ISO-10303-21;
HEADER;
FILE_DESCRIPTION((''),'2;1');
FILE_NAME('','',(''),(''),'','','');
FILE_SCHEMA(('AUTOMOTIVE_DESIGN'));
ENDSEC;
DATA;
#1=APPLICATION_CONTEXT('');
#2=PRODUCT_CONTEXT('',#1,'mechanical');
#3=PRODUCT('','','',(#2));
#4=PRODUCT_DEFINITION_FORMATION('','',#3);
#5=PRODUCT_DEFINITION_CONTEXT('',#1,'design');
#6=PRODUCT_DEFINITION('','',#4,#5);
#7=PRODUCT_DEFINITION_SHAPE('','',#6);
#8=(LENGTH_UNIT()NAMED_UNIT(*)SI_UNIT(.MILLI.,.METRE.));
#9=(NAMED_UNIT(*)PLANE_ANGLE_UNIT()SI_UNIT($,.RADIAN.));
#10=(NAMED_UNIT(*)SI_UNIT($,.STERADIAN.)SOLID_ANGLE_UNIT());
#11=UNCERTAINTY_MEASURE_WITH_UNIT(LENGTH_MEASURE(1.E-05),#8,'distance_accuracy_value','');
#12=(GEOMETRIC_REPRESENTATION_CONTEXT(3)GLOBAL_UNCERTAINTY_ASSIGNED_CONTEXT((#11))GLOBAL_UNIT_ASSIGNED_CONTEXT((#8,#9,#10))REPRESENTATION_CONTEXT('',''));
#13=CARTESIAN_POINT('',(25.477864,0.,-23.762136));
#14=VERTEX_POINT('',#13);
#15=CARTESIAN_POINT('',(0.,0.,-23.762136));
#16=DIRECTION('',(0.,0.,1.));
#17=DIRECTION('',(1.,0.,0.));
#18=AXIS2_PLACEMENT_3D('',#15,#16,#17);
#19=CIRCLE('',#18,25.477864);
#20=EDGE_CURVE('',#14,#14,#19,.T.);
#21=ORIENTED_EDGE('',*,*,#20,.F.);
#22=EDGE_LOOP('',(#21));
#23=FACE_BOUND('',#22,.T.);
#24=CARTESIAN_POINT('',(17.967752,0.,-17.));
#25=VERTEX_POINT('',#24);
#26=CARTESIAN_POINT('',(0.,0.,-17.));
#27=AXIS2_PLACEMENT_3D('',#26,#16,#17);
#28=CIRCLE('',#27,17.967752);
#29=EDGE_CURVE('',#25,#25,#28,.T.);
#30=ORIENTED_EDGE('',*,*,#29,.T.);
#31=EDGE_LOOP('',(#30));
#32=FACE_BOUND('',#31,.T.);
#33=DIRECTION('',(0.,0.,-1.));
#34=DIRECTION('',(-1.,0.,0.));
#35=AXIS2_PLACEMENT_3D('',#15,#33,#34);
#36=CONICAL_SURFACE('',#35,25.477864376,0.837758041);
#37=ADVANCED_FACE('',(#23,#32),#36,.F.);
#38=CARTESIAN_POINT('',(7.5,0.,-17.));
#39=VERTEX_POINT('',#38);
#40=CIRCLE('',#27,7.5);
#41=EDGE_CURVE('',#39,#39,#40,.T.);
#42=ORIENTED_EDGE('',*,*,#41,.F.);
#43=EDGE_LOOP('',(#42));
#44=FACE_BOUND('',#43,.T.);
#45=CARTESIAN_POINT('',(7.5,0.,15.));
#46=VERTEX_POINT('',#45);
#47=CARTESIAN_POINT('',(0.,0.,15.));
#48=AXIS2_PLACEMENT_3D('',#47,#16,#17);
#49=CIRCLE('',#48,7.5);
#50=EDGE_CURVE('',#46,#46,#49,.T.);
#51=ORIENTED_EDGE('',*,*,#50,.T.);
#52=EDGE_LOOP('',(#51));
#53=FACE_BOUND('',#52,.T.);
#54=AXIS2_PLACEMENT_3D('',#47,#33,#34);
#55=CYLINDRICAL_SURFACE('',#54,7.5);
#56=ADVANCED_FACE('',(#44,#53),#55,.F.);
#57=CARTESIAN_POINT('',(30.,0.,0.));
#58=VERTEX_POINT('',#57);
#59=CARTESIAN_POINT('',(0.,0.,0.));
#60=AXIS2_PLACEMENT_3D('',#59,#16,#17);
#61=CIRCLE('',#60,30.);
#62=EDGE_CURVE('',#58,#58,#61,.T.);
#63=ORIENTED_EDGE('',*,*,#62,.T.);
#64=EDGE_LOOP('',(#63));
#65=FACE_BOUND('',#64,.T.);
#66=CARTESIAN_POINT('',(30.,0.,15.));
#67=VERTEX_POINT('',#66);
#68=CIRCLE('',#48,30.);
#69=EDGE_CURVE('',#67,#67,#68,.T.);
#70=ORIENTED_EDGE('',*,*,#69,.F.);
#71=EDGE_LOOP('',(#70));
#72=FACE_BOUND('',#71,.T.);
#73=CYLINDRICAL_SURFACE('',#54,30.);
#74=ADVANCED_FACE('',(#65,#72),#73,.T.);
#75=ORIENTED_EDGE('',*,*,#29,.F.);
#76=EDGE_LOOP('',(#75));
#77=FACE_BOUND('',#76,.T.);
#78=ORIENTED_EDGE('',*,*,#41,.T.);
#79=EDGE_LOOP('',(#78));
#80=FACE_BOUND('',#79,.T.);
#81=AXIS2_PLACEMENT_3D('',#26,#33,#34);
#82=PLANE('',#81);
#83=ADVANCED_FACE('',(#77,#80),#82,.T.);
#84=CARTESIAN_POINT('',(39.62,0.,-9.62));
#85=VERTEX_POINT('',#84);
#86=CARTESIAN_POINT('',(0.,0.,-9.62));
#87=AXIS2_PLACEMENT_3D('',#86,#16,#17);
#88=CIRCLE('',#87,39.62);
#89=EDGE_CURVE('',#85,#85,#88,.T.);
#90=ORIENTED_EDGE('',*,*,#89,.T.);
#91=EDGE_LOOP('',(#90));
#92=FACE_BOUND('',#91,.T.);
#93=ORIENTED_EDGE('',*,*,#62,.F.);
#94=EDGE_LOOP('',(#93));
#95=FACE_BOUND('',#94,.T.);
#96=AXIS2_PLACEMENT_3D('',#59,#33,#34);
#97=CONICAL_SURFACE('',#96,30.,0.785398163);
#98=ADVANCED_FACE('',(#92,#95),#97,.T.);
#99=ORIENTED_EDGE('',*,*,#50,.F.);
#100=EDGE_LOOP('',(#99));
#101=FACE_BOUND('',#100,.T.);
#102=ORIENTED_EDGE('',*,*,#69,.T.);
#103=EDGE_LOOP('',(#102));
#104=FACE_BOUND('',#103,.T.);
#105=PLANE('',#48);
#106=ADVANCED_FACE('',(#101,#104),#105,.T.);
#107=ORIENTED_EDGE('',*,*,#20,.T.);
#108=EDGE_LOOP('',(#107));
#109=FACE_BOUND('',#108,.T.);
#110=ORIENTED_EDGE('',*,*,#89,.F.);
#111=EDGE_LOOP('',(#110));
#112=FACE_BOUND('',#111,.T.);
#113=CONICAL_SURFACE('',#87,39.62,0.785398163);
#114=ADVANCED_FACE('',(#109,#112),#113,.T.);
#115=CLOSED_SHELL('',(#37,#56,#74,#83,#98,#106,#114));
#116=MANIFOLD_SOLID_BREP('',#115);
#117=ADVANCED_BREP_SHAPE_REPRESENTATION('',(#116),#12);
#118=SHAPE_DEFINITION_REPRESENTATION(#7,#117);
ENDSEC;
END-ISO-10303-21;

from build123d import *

# Parameters (mm, degrees)
SKETCH1_R           = 30
SKETCH1_R_2         = 7.5
BOSS_EXTRUDE1_DEPTH = 15


with BuildPart() as part:
    # Sketch1 → Boss-Extrude1 (new body)
    with BuildSketch(Plane.XY):
        Circle(SKETCH1_R)
        Circle(SKETCH1_R_2, mode=Mode.SUBTRACT)
    extrude(amount=BOSS_EXTRUDE1_DEPTH)

    # Sketch2 → Revolve4 (revolve)
    with BuildSketch(Plane(origin=(0, 0, 0), x_dir=(1, 0, 0), z_dir=(0, 1, 0))):
        Polygon((7.5, 0), (30, 0), (39.62, 9.62), (25.477864376, 23.762135624), (17.967751926, 17), (7.5, 17), align=None)
    revolve(axis=Axis((0, 0, 0), (0, 0, -1)))


solid = part.part
